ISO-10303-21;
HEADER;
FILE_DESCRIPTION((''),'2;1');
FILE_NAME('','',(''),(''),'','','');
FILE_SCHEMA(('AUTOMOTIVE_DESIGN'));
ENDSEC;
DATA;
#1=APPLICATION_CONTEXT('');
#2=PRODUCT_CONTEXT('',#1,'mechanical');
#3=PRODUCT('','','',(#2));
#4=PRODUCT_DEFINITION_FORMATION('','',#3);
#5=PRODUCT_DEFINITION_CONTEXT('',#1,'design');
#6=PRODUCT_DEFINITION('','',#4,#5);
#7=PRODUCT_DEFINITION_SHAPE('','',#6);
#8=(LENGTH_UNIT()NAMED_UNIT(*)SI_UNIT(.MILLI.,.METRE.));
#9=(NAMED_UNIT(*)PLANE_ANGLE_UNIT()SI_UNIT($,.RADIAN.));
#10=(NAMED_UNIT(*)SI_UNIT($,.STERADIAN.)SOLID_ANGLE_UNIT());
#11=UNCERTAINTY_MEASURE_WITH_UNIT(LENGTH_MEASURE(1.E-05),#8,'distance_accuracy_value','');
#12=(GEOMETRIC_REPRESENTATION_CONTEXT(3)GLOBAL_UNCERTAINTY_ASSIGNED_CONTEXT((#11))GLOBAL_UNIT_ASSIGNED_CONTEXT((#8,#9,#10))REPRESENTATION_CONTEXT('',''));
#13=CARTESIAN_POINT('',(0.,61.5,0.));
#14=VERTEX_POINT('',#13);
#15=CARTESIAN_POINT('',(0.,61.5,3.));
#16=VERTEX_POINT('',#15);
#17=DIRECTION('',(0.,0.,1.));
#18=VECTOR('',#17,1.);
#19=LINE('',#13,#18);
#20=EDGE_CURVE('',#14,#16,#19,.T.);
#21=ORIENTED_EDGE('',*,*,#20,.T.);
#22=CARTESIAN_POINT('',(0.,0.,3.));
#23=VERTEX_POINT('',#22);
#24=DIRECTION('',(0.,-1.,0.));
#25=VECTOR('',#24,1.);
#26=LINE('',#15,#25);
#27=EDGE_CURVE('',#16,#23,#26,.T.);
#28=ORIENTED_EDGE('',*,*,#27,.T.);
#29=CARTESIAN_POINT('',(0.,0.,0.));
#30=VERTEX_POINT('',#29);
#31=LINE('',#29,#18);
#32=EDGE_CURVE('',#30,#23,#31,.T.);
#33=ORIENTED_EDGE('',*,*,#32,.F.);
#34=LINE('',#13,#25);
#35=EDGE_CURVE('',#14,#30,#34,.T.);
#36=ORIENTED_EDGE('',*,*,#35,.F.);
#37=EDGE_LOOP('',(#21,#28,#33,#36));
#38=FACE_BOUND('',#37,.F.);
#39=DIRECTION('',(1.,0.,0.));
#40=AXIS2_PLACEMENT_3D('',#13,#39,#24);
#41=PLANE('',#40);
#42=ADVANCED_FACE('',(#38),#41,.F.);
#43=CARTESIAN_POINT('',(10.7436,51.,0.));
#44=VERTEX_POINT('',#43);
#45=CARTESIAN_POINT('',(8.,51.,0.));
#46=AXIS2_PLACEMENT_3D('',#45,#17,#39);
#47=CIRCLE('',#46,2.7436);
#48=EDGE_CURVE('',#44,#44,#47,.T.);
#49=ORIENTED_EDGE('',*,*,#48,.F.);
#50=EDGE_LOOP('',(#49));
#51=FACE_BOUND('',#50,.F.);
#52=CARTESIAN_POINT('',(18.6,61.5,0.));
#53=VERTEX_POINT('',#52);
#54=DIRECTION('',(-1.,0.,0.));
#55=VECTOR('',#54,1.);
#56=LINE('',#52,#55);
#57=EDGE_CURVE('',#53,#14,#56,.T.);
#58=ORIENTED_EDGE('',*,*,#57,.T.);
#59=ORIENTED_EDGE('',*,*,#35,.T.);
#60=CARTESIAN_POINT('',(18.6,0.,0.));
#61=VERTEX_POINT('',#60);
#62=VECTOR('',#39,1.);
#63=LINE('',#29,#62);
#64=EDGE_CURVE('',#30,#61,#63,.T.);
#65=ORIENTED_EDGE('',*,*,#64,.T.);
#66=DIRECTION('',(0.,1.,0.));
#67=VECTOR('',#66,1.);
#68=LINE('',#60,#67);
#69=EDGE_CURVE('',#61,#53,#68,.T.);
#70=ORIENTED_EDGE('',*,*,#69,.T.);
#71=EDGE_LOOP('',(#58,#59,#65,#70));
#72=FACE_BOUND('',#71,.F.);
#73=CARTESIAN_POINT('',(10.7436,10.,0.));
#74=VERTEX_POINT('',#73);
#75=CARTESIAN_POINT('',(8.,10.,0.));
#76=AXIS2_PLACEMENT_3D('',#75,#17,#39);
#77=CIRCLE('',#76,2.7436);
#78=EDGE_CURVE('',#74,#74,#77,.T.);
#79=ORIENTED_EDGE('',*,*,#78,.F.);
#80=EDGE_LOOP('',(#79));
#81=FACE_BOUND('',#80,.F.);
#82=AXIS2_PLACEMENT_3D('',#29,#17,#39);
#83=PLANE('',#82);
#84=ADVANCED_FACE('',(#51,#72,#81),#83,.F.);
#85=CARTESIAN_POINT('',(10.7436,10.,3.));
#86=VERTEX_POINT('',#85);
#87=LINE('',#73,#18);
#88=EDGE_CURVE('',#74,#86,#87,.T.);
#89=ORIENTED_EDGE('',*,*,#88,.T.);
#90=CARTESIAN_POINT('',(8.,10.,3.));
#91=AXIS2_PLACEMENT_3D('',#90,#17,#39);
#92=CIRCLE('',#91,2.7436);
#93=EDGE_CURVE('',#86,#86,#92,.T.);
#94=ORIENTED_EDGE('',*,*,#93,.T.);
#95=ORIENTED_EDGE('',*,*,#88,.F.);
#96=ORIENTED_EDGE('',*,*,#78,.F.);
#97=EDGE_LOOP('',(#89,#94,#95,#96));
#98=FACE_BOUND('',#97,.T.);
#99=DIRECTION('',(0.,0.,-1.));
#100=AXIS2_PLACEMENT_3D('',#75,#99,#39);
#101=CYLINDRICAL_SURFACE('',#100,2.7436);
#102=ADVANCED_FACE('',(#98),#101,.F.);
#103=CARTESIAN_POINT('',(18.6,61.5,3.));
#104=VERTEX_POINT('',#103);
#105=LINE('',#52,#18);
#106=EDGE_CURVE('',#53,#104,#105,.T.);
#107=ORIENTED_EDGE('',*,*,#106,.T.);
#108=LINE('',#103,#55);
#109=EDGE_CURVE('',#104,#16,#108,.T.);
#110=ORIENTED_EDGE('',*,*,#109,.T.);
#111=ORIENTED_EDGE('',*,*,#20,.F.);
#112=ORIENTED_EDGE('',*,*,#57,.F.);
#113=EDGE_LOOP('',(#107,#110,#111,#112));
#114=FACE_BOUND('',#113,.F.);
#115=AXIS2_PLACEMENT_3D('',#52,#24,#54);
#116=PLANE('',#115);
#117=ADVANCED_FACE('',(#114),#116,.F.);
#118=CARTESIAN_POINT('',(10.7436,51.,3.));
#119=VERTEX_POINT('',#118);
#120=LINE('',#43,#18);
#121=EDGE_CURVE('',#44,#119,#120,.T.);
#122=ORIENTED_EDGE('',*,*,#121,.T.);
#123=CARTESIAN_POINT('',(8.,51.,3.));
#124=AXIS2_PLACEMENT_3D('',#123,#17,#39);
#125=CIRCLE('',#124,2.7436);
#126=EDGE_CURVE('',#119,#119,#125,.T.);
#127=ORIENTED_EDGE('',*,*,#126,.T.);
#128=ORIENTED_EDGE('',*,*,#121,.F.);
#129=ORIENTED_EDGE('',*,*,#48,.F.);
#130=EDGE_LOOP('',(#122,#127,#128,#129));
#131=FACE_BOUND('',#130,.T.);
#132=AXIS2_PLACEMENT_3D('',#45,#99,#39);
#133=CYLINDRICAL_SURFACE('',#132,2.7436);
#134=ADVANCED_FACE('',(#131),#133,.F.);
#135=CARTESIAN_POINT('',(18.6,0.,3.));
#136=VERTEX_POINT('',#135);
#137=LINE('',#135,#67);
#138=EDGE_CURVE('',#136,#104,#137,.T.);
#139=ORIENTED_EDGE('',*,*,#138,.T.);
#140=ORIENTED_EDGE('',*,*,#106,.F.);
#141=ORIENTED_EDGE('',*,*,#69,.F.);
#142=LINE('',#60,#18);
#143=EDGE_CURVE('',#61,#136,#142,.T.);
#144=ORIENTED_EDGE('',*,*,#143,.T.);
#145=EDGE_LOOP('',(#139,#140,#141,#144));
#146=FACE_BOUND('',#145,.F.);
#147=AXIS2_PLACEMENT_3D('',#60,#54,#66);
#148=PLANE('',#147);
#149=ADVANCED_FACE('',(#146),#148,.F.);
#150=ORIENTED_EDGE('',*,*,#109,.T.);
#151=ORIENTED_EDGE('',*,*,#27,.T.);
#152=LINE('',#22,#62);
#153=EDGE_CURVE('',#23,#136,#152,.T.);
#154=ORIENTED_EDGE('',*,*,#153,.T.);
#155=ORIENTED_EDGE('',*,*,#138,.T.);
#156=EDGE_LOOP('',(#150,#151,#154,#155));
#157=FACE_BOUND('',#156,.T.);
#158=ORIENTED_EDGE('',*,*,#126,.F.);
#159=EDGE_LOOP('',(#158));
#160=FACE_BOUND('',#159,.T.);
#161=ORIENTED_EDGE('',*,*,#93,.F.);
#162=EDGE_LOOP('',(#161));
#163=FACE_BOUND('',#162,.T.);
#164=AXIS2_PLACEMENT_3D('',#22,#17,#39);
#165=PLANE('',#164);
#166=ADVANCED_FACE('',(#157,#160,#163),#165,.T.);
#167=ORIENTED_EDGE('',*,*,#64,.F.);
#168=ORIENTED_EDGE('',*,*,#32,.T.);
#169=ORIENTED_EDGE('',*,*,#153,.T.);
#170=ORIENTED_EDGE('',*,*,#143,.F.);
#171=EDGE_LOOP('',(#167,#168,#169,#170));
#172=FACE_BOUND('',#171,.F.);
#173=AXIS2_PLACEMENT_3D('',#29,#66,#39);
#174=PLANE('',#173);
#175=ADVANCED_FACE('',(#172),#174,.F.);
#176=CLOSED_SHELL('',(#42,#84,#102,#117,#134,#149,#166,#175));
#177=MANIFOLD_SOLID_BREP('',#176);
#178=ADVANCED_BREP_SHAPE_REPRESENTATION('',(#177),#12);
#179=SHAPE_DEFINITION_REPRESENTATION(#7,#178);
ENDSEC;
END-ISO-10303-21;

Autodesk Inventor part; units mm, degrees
ref_plane "YZ Plane" through (0, 0, 0) normal (1, 0, 0) x (0, 1, 0)
ref_plane "XZ Plane" through (0, 0, 0) normal (0, 1, 0) x (-1, 0, 0)
ref_plane "XY Plane" through (0, 0, 0) normal (0, 0, 1) x (1, 0, 0)
sketch "Sketch1" plane through (0, 0, 0) normal (0, 0, 1) x (1, 0, 0)
  line L0 (0, 0) -> (18.6, 0)
  line L1 (18.6, 0) -> (18.6, 61.5)
  line L2 (18.6, 61.5) -> (0, 61.5)
  line L3 (0, 61.5) -> (0, 0)
  circle A0 centre (8, 10) radius 2.7436
  circle A1 centre (8, 51) radius 2.7436
  dimension "d0" = 61.5
  dimension "d1" = 18.6
  dimension "d2" = 10
  dimension "d3" = 8
  dimension "d4" = 8
  dimension "d5" = 10.5
extrude "Extrusion1" add sketch "Sketch1" along normal blind 3
properties part number "pulley_tab_left_B"
